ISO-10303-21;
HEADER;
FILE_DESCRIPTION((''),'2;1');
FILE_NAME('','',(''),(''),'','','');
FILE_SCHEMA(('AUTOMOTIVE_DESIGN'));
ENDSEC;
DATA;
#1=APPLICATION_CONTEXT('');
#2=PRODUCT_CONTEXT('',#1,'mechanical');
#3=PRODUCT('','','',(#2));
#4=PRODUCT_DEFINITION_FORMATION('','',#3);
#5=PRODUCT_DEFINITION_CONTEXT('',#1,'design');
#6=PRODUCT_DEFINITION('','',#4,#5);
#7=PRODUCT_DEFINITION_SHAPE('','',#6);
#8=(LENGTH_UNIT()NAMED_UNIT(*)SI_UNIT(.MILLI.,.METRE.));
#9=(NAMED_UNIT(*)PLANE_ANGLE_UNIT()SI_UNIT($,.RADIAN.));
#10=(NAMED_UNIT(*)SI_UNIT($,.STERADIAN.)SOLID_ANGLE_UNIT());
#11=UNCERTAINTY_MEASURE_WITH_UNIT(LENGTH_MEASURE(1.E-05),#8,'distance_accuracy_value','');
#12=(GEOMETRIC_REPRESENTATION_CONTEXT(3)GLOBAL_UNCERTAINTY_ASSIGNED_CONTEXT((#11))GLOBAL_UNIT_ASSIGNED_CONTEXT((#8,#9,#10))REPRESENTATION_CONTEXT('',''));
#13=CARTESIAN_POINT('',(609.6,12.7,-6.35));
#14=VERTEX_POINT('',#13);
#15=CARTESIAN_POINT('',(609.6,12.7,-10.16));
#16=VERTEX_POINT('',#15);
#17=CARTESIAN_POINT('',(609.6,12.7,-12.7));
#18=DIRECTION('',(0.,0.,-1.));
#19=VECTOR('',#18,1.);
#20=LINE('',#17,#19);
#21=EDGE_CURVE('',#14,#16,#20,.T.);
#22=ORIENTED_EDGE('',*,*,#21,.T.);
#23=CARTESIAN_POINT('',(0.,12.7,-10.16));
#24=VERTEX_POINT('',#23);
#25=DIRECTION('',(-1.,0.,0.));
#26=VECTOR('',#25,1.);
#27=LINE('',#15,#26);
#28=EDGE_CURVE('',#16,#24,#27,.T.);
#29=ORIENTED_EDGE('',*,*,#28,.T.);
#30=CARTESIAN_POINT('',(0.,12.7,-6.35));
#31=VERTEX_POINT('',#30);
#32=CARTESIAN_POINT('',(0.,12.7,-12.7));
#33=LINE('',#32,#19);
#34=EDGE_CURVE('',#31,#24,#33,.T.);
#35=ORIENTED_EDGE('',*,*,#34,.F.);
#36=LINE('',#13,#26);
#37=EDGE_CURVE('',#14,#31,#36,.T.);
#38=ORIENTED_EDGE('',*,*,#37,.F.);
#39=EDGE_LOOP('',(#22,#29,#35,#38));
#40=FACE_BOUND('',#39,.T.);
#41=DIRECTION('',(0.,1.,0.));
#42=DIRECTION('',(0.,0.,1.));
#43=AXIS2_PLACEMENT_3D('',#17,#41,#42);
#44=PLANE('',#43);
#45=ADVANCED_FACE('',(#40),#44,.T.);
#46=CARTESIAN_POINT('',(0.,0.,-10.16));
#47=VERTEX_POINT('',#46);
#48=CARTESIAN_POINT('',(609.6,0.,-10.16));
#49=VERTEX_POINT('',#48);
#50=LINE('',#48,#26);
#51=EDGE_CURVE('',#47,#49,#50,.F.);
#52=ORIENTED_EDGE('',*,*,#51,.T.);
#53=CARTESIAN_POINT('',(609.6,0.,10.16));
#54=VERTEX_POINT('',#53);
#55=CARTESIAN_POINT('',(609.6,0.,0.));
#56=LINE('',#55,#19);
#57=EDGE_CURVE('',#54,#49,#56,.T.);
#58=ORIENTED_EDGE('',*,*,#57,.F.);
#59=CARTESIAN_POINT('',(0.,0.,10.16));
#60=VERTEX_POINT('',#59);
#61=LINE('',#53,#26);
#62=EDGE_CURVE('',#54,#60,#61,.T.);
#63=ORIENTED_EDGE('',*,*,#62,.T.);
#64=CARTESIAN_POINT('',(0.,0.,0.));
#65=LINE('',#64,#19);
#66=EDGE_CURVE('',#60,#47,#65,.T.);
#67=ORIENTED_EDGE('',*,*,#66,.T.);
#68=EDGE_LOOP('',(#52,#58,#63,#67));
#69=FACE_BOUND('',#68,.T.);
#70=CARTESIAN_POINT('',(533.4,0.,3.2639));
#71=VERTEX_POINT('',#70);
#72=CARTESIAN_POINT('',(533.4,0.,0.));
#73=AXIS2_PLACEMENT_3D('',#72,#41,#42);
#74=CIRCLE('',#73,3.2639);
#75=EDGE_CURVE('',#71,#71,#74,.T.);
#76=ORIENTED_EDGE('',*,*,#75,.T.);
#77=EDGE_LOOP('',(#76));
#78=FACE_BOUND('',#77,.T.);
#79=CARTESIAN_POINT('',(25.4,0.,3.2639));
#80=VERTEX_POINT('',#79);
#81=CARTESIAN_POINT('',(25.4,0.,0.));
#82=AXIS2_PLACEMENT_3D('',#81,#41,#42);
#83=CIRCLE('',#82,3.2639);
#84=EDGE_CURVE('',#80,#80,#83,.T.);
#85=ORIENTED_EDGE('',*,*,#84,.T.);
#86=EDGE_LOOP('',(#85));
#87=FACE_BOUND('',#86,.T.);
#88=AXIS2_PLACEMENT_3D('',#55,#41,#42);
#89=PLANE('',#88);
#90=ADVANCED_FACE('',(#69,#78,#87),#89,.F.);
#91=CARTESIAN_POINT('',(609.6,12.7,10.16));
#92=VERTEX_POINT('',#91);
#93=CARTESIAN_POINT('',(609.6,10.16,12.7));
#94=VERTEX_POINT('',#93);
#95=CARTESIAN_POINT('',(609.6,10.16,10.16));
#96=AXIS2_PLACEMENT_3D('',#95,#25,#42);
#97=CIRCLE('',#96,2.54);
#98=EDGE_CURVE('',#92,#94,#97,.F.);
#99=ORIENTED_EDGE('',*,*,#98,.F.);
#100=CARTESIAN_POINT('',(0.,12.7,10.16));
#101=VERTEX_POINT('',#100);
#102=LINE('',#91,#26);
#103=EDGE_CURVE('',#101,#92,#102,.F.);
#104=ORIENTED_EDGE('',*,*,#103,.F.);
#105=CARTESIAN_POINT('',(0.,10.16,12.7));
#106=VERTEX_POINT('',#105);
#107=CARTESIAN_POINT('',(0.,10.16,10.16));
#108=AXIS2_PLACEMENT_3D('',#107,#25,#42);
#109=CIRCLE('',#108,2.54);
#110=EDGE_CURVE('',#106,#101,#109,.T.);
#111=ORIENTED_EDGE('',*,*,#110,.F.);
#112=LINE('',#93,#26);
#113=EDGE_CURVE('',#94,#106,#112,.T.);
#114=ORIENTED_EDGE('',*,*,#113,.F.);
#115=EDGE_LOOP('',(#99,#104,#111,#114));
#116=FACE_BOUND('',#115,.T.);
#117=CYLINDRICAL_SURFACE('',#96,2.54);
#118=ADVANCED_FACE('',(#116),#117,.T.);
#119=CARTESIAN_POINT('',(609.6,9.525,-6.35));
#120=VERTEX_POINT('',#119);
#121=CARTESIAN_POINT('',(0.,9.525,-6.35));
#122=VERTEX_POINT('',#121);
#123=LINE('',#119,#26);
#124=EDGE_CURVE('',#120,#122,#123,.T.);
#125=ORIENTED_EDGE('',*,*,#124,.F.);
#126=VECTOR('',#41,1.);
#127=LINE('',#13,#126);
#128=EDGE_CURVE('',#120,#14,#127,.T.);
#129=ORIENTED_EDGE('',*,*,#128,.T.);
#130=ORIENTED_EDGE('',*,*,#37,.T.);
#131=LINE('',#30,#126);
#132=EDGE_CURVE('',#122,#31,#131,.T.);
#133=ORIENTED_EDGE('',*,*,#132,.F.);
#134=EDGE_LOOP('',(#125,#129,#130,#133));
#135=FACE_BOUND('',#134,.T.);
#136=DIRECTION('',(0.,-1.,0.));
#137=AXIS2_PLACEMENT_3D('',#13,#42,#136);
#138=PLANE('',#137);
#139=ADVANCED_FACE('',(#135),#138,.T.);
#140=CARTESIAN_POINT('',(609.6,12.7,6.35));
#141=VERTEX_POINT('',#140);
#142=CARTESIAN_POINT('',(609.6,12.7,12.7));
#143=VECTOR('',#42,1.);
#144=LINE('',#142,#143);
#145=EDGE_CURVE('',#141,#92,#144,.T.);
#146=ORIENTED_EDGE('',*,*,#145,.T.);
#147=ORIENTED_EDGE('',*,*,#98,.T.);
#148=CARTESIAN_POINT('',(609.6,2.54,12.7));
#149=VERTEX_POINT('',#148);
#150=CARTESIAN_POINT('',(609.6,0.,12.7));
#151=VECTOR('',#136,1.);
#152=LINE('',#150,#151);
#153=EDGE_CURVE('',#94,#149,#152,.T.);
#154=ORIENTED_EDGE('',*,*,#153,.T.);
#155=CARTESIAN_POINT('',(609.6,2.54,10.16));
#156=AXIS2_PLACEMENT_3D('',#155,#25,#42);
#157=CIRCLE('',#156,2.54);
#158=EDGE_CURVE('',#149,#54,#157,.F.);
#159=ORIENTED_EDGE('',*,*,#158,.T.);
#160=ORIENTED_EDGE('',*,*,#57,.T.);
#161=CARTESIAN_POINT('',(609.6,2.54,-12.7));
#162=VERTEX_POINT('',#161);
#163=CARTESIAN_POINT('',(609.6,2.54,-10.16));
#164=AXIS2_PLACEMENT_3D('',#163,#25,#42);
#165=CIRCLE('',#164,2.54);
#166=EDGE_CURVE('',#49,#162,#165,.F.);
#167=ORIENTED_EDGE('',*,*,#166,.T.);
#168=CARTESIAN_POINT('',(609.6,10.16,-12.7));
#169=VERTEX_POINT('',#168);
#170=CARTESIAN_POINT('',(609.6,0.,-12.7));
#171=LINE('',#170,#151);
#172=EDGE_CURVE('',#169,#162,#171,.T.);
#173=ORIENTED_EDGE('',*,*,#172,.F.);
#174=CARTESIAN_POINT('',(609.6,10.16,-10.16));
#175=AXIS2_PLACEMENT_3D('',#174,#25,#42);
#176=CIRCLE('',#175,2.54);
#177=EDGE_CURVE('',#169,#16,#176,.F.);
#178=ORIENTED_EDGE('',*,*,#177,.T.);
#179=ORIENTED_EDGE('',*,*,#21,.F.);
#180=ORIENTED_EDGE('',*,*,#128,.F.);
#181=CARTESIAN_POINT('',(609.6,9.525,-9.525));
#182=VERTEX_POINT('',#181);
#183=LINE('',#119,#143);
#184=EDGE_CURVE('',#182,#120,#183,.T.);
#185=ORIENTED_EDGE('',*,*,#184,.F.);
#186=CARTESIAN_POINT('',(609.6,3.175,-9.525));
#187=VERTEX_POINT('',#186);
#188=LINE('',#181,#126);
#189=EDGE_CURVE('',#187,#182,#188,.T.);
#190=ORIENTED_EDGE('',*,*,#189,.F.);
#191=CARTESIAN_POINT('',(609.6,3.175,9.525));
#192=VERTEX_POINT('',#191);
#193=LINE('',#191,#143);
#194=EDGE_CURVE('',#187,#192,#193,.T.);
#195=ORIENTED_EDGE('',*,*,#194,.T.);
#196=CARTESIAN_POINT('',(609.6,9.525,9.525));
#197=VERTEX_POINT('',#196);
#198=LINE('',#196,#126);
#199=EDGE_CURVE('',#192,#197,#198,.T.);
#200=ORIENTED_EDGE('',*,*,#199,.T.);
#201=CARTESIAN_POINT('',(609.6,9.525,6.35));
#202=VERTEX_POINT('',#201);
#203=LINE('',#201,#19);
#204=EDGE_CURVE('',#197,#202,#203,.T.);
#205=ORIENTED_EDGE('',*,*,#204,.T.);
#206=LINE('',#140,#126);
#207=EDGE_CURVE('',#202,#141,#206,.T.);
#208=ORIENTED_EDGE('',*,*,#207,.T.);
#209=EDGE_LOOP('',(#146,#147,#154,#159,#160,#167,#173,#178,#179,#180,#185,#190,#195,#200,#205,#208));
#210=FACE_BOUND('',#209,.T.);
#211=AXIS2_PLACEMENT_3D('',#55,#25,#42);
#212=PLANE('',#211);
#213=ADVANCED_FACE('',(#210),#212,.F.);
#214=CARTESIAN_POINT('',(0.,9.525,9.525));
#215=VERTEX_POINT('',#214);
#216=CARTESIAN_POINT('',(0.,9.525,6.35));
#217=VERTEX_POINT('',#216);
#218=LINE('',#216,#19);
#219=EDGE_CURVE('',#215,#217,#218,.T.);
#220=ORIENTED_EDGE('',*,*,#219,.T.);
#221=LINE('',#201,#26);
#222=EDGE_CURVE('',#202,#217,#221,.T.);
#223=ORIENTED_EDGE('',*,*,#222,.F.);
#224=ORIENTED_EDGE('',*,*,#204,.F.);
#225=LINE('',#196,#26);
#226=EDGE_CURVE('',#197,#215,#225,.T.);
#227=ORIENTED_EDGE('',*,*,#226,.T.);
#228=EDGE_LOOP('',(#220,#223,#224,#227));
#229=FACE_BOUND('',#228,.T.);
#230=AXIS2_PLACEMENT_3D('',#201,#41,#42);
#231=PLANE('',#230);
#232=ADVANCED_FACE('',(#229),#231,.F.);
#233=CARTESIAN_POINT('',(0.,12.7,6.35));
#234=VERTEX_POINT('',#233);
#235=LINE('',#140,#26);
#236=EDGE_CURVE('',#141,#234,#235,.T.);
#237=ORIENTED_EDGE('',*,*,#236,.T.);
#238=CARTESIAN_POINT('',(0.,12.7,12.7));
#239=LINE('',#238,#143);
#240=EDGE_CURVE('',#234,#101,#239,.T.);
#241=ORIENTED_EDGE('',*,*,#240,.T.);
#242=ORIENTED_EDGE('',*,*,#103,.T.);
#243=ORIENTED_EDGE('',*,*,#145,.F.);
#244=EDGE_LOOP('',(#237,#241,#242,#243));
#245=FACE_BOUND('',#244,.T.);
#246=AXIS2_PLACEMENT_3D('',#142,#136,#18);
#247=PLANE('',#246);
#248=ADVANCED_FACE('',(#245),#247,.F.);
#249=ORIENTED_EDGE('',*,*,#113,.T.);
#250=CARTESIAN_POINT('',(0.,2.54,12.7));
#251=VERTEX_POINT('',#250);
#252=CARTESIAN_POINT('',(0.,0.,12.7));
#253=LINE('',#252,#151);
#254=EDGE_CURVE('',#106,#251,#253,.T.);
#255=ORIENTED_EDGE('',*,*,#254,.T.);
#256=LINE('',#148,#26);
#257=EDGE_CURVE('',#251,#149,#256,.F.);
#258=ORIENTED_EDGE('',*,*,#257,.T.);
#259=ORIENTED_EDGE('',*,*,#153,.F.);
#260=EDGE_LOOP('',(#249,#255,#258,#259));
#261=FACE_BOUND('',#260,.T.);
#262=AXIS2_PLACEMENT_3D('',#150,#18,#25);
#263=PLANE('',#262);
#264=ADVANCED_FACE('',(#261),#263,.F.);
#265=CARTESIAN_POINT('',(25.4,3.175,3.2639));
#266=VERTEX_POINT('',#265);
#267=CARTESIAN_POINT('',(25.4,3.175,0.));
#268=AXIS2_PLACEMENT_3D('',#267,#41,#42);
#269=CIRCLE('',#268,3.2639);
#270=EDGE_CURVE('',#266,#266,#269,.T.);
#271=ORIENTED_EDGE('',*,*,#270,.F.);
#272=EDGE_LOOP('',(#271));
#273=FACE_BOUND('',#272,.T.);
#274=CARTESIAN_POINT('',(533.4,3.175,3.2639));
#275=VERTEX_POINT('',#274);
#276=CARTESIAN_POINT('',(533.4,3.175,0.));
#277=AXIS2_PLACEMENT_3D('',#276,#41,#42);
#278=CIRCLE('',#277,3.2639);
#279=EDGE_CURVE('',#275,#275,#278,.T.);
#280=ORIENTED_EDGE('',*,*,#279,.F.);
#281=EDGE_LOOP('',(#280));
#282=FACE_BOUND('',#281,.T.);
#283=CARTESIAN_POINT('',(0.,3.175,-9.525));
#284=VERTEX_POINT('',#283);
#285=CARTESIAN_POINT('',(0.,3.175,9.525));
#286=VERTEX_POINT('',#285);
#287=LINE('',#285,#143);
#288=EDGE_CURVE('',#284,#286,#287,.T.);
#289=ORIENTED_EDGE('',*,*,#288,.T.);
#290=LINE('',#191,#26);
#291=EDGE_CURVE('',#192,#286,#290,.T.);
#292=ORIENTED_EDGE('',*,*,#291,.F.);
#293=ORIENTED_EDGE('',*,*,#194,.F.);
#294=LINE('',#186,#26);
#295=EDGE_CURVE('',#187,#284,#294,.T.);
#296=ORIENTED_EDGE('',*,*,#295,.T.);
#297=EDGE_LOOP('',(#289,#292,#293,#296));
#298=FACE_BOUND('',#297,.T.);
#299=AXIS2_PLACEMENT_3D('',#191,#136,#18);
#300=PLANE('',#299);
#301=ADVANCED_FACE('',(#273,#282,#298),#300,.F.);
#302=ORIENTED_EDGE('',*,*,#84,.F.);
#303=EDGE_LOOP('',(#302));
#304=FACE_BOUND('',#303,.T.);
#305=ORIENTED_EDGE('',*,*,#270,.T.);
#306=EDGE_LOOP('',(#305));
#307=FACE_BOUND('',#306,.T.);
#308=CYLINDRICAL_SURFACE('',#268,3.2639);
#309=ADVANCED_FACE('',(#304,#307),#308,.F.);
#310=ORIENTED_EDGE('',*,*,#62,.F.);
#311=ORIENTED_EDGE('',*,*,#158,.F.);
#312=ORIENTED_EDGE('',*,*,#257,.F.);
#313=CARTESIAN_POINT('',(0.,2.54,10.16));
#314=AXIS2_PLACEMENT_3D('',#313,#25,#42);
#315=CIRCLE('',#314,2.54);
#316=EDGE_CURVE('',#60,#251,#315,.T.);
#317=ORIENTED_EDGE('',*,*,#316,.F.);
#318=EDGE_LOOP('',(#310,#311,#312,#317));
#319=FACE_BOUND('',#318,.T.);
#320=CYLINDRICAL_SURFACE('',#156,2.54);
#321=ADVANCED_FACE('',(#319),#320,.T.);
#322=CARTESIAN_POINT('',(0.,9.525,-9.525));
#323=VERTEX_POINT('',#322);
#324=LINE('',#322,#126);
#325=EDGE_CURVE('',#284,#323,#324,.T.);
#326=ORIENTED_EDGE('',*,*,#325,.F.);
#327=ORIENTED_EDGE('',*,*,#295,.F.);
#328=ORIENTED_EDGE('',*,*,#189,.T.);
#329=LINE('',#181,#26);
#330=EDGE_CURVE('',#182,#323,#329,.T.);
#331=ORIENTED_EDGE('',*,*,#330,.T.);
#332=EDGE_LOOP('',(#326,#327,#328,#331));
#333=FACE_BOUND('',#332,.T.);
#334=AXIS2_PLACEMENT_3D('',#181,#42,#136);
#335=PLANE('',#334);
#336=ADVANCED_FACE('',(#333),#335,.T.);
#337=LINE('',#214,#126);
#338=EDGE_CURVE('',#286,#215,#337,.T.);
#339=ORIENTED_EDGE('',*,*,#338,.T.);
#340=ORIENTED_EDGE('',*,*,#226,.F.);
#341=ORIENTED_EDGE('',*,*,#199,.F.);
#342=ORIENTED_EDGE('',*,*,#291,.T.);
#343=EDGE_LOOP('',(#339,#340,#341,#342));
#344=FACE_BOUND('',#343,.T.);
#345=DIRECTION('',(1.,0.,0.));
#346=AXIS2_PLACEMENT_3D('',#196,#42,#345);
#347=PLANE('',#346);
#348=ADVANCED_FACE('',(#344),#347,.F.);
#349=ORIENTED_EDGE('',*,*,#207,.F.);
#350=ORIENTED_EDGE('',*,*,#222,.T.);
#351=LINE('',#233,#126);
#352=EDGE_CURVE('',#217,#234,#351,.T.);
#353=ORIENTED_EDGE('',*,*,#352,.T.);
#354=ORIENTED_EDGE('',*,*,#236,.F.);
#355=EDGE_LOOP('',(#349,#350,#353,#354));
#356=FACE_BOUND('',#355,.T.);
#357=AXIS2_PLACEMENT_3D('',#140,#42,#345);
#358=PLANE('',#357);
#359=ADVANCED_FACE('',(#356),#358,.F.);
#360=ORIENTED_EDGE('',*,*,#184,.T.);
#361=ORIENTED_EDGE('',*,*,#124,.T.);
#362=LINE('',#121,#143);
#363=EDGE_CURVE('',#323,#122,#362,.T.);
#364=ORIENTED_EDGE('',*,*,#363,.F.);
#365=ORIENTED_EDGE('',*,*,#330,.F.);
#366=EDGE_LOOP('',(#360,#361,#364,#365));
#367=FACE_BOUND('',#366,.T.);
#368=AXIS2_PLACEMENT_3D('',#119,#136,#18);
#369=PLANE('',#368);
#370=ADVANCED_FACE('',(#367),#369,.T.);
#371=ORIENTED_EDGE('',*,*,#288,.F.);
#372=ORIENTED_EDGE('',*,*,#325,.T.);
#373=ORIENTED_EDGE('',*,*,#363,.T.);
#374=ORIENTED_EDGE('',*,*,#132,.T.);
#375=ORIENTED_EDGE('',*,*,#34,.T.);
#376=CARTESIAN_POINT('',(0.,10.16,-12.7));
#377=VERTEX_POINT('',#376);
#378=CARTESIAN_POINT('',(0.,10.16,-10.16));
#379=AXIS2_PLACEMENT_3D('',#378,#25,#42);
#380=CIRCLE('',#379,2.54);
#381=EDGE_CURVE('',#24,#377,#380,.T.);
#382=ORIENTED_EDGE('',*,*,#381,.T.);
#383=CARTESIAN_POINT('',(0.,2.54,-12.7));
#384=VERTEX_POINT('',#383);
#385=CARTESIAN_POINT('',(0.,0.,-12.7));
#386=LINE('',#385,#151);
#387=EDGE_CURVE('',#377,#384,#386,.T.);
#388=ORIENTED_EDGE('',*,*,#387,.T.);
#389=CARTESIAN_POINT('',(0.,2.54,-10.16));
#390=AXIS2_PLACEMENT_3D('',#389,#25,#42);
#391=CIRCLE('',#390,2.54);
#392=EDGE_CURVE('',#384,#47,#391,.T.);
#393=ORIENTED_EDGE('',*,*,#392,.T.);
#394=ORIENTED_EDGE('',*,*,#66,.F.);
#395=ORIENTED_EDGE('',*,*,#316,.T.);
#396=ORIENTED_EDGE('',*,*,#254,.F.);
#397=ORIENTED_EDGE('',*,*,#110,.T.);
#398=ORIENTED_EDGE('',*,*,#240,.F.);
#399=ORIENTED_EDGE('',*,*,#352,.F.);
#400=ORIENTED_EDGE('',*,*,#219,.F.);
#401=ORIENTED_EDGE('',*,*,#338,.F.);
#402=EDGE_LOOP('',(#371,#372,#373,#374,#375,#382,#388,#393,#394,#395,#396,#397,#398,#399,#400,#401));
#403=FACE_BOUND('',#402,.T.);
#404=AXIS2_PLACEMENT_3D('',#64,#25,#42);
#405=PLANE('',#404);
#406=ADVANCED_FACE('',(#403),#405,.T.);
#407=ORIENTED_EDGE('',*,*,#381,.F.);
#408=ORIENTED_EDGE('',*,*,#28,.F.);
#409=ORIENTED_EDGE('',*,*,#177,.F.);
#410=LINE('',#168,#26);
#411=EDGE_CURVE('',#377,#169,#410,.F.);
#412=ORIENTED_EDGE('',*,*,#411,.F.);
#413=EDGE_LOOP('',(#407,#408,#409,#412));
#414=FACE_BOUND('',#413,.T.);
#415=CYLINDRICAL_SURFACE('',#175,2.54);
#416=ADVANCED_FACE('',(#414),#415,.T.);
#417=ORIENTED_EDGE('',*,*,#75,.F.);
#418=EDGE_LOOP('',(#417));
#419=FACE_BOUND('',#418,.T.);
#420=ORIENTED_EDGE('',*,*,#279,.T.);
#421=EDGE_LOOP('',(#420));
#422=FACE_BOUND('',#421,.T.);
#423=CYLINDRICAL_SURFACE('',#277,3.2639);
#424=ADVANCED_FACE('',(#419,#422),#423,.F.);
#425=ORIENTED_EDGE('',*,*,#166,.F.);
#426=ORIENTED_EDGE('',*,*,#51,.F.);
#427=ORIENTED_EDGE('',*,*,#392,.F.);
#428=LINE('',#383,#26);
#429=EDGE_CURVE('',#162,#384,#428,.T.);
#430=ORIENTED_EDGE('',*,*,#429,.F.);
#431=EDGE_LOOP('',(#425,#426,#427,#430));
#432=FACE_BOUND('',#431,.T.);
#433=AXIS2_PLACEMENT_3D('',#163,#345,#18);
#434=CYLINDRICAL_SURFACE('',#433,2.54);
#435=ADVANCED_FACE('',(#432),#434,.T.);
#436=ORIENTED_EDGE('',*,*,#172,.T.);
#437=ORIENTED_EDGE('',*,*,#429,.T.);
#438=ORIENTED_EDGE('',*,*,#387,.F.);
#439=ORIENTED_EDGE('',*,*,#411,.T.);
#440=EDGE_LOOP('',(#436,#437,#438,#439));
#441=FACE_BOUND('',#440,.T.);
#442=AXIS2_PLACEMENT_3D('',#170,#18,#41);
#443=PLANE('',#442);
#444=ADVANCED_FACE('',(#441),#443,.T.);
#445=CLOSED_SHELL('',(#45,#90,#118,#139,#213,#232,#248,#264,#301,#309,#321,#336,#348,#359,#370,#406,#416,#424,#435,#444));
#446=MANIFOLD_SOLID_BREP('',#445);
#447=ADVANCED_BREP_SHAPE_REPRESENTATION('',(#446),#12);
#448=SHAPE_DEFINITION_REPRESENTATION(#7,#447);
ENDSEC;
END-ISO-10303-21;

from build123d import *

# Parameters (mm, degrees)
BOSS_EXTRUDE1_DEPTH         = 609.6
FILLET1_R                   = 2.54
F_1_4_CLEARANCE_HOLE1_D     = 6.5278
F_1_4_CLEARANCE_HOLE1_DEPTH = 22.352
F_1_4_CLEARANCE_HOLE1_TIP   = 1.961148974


with BuildPart() as part:
    # Sketch1 → Boss-Extrude1 (new body)
    with BuildSketch(Plane(origin=(0, 0, 0), x_dir=(0, 0, -1), z_dir=(1, 0, 0))):
        Polygon((0, 0), (-12.7, 0), (-12.7, 12.7), (-6.35, 12.7), (-6.35, 9.525), (-9.525, 9.525), (-9.525, 3.175), (0, 3.175), align=None)
    boss_extrude1 = extrude(amount=BOSS_EXTRUDE1_DEPTH)

    # Mirror1: Boss-Extrude1 across plane
    add(boss_extrude1.mirror(Plane(origin=(609.6, 3.175, 0), x_dir=(1, 0, 0), z_dir=(0, 0, 1))))

    # Fillet1
    fillet1_edges = [part.edges().sort_by_distance(p)[0] for p in [
        (304.8, 0, 12.7),
        (304.8, 12.7, 12.7),
        (304.8, 0, -12.7),
        (304.8, 12.7, -12.7),
    ]]
    fillet(fillet1_edges, radius=FILLET1_R)

    # 1/4 Clearance Hole1
    with Locations(Plane(origin=(0, 3.175, 0), x_dir=(1, 0, 0), z_dir=(0, 1, 0))):
        with Locations((25.4, 0), (533.4, 0)):
            Hole(F_1_4_CLEARANCE_HOLE1_D / 2, depth=F_1_4_CLEARANCE_HOLE1_DEPTH)
            with Locations((0, 0, -(F_1_4_CLEARANCE_HOLE1_DEPTH + F_1_4_CLEARANCE_HOLE1_TIP / 2))):  # 118° drill point
                Cone(0, F_1_4_CLEARANCE_HOLE1_D / 2, F_1_4_CLEARANCE_HOLE1_TIP, mode=Mode.SUBTRACT)


solid = part.part
